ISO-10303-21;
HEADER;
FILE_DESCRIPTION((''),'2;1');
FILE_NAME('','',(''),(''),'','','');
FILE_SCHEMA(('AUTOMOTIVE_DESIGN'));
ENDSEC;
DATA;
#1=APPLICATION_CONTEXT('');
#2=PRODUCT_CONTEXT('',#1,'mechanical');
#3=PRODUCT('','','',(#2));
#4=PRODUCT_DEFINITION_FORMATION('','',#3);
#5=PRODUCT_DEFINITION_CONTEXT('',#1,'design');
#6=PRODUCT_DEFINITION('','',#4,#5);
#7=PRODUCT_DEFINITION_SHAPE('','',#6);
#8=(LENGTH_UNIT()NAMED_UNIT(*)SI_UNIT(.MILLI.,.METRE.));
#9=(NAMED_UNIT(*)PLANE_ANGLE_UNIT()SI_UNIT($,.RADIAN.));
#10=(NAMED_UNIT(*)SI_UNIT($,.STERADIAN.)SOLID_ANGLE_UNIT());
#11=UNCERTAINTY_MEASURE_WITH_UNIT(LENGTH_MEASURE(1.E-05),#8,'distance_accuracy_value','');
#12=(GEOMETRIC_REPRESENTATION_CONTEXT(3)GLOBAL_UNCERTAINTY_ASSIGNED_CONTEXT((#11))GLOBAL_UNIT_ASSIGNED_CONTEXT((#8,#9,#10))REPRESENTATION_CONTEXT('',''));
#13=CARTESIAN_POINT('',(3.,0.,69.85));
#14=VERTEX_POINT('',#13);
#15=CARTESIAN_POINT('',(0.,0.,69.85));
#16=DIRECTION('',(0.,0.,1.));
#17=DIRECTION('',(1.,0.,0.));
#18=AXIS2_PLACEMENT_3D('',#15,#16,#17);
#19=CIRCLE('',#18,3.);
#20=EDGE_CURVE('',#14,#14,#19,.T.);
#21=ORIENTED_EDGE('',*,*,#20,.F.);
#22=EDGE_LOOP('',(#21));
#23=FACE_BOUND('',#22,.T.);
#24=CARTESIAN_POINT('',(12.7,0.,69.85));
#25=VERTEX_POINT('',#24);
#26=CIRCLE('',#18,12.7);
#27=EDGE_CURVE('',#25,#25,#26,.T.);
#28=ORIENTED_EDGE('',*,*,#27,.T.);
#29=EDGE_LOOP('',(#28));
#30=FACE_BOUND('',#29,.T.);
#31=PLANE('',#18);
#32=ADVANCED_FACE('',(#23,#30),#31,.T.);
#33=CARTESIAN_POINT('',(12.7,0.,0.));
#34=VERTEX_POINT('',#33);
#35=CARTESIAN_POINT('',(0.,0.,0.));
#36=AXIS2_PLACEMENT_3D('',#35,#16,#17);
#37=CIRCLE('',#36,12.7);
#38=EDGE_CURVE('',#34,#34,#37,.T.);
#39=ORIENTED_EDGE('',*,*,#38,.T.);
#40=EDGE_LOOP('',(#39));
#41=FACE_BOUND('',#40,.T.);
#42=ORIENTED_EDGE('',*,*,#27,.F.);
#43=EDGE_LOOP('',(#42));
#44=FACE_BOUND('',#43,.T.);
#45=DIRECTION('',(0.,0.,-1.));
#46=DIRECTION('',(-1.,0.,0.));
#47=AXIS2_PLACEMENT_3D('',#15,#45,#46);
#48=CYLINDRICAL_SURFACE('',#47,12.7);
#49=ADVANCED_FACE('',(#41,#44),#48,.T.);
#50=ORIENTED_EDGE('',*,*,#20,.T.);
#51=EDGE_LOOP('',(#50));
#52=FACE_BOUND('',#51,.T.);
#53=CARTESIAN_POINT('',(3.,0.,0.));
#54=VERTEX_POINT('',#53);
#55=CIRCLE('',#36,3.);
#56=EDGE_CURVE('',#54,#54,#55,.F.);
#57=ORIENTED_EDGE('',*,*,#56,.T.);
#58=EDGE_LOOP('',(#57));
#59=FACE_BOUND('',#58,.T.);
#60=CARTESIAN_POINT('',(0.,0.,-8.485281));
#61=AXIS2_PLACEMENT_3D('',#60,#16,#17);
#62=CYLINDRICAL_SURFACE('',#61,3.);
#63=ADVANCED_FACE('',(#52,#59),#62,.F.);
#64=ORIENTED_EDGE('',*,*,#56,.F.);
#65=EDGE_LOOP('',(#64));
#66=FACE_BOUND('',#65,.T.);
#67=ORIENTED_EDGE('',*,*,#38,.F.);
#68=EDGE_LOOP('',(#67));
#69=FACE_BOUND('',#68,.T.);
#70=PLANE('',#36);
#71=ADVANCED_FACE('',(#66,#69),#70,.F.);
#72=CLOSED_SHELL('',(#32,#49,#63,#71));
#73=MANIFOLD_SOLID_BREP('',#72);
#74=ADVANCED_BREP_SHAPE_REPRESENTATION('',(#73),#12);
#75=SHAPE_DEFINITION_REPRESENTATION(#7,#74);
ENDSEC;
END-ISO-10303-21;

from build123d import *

# Parameters (mm, degrees)
SKETCH1_R           = 12.7
BOSS_EXTRUDE1_DEPTH = 69.85
SKETCH2_R           = 3
CUT_EXTRUDE3_DEPTH  = 69.85


with BuildPart() as part:
    # Sketch1 → Boss-Extrude1 (new body)
    with BuildSketch(Plane.XY):
        Circle(SKETCH1_R)
    extrude(amount=BOSS_EXTRUDE1_DEPTH)

    # Sketch2 → Cut-Extrude3 (cut)
    with BuildSketch(Plane.XY.offset(69.85)):
        Circle(SKETCH2_R)
    extrude(amount=-CUT_EXTRUDE3_DEPTH, mode=Mode.SUBTRACT)


solid = part.part
